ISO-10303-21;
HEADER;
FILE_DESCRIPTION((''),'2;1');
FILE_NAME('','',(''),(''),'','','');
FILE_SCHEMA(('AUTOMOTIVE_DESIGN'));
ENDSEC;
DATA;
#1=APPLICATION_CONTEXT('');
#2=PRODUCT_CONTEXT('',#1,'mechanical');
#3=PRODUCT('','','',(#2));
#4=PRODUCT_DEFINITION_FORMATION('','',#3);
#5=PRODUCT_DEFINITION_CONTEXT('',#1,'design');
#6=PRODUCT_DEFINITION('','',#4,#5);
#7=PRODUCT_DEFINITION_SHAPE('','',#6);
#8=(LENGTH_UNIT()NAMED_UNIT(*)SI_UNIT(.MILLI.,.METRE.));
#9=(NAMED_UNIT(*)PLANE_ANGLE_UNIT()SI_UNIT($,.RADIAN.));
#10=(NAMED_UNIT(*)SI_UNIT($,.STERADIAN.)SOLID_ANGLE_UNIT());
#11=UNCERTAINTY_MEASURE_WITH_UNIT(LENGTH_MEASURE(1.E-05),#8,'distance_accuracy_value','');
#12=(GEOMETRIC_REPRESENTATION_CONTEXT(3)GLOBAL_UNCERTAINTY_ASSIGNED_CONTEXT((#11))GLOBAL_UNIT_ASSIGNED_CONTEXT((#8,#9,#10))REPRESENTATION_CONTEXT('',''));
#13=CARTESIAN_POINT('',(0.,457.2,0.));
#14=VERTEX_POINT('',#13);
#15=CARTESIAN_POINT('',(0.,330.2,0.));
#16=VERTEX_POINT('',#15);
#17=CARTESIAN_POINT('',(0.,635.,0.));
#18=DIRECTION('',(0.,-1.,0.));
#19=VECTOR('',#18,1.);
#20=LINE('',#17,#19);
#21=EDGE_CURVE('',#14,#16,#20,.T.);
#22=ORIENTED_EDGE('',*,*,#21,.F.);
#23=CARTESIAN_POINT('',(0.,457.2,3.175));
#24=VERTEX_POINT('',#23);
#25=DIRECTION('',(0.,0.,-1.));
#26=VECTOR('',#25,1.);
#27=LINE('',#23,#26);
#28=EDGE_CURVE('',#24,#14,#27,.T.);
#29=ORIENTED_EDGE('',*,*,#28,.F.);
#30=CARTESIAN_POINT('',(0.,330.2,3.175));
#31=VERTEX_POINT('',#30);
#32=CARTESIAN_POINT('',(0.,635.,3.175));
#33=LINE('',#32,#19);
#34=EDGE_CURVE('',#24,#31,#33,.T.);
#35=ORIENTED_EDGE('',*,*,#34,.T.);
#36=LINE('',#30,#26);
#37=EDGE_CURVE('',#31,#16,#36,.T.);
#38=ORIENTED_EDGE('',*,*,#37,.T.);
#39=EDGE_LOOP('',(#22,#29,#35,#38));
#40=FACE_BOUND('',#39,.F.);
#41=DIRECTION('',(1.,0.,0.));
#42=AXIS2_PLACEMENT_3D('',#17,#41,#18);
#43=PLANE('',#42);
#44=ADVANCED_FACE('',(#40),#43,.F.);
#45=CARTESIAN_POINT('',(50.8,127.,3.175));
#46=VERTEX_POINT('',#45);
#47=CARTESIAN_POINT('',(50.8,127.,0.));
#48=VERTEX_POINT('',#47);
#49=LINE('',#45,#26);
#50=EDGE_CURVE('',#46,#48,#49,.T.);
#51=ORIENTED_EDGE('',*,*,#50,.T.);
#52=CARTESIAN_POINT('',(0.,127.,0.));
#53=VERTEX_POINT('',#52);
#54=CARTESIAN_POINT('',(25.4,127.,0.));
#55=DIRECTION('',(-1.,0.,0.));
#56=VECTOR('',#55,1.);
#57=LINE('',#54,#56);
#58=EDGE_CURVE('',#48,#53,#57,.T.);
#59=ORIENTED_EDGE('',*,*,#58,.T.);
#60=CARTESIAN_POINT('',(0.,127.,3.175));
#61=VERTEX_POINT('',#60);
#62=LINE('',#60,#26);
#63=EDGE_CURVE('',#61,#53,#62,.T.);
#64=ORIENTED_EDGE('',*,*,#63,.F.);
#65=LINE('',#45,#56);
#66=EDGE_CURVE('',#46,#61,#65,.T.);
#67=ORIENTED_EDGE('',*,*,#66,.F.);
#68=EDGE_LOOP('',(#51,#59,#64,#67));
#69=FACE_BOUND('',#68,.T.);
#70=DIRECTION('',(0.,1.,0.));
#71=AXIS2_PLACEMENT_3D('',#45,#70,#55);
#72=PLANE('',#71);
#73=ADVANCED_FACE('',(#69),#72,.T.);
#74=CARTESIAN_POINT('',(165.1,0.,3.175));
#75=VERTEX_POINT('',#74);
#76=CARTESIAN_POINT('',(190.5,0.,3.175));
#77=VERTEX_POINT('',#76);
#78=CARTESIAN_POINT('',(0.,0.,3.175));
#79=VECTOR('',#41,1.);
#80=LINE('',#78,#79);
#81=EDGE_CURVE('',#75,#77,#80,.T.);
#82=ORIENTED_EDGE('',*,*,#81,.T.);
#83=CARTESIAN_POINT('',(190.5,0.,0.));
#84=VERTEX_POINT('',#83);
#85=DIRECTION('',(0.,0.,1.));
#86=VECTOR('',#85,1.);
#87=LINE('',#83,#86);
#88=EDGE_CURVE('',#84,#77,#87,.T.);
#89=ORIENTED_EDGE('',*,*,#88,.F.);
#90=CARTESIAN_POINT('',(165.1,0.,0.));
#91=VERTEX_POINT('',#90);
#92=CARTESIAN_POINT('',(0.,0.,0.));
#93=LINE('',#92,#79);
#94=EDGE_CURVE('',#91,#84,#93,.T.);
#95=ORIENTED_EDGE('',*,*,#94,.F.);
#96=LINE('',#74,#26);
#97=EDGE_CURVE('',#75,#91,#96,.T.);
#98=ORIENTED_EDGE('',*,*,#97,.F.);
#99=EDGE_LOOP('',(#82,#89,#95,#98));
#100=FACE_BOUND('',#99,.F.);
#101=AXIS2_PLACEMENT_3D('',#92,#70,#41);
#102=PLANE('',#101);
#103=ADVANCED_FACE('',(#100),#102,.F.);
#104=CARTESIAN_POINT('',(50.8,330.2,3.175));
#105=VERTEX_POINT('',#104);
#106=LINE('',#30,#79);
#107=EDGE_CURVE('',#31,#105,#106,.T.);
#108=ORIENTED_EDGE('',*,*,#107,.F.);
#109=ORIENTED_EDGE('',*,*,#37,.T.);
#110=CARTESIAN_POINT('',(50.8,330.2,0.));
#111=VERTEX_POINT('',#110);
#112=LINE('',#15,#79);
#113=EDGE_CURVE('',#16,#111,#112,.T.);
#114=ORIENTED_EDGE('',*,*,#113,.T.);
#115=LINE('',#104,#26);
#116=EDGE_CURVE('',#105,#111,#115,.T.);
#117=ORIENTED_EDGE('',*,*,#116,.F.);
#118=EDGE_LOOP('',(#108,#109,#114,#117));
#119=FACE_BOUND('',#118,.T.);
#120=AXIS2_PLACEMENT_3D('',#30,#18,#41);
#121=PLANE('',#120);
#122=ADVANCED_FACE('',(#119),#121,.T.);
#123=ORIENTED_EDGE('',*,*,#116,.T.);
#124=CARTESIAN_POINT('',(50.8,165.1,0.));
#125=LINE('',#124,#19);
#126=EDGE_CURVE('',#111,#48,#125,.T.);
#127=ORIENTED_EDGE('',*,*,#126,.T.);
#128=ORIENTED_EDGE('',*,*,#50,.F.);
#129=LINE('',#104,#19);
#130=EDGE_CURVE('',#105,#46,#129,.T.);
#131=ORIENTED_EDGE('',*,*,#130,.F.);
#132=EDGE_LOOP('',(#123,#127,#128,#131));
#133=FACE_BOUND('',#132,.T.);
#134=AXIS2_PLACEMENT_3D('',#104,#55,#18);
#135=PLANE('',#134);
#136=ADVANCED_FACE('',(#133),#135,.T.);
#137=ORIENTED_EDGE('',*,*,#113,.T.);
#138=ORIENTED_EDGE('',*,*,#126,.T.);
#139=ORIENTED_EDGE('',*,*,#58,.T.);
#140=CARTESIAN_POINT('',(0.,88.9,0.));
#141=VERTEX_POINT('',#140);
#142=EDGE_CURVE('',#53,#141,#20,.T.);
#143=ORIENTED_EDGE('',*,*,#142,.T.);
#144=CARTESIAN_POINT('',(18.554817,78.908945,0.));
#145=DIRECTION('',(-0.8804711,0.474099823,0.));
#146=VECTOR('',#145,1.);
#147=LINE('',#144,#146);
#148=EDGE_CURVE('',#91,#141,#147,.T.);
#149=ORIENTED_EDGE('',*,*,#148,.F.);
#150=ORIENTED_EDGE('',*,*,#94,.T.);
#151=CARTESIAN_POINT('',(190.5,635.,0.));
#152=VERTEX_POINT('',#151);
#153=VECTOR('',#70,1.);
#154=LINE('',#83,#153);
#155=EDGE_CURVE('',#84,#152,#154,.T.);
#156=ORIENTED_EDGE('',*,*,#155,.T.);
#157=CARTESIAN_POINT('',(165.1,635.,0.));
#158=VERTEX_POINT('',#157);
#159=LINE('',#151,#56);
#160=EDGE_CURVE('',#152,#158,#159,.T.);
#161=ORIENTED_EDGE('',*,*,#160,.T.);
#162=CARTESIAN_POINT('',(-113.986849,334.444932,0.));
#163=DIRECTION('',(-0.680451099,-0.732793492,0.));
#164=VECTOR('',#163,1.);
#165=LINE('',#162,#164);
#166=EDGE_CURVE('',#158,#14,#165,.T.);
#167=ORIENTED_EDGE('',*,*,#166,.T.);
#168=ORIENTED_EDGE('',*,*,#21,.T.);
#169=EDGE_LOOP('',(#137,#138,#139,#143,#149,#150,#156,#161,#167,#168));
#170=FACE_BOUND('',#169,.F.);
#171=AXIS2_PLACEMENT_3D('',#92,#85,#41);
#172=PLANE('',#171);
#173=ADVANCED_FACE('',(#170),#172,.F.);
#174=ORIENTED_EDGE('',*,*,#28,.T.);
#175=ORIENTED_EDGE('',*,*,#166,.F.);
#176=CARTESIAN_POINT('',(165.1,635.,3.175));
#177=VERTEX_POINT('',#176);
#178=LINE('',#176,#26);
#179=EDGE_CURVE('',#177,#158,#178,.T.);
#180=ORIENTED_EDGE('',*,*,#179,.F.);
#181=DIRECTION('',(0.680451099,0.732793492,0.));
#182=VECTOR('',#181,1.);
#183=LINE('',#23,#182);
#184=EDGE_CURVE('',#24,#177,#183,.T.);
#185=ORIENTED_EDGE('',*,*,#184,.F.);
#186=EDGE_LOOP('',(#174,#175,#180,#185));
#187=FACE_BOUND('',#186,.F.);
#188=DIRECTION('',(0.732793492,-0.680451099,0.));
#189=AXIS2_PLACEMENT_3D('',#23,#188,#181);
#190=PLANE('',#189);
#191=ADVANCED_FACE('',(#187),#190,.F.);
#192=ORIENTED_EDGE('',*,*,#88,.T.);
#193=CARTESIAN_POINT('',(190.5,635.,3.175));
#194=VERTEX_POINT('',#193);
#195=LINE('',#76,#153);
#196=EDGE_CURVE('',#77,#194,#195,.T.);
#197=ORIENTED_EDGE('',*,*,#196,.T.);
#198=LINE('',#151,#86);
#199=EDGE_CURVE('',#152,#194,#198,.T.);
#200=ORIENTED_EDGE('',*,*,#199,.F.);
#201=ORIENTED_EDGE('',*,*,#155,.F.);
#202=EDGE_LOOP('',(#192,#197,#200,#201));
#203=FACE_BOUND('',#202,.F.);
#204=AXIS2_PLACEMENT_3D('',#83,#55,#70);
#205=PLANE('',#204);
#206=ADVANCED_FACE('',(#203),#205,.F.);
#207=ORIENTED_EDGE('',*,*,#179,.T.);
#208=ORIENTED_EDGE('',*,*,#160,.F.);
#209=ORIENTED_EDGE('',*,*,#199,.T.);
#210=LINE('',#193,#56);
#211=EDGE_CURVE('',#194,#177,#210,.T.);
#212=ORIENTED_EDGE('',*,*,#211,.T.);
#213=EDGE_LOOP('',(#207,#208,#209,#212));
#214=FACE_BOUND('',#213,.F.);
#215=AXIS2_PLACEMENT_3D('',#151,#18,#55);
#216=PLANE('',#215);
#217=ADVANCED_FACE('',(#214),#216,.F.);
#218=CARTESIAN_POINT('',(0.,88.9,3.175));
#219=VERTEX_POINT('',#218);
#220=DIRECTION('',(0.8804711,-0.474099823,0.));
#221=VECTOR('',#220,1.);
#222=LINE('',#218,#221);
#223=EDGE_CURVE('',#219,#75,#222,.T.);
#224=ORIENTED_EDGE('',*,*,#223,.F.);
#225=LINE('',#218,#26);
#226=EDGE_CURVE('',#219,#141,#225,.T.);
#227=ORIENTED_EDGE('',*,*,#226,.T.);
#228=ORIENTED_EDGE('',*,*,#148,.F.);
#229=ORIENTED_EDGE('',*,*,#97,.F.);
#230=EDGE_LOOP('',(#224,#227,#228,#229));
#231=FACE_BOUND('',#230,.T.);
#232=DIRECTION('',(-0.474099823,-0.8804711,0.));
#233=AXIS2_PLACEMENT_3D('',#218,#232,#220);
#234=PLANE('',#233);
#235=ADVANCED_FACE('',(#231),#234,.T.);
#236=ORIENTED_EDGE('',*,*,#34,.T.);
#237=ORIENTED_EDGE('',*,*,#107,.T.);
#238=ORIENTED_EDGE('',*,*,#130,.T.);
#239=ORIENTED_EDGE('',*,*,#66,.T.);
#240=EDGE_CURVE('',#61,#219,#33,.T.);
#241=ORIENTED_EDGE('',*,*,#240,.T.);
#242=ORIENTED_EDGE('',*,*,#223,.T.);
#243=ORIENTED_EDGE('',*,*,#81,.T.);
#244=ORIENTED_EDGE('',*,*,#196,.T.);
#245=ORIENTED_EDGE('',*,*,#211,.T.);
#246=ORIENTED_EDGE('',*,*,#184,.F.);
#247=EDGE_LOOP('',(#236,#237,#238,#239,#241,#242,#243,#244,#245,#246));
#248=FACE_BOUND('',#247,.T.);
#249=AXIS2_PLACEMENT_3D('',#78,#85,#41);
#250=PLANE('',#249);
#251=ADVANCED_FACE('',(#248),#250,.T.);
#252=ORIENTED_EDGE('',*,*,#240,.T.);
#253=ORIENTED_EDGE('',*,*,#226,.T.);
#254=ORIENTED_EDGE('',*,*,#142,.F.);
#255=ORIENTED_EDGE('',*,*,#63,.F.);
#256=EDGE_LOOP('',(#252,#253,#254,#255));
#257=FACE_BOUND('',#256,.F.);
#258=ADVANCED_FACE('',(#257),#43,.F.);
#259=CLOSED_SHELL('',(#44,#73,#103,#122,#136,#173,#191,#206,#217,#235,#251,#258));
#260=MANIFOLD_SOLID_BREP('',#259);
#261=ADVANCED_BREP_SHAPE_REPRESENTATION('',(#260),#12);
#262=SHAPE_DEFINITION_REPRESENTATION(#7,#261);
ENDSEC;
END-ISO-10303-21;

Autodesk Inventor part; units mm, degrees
ref_plane "YZ Plane" through (0, 0, 0) normal (1, 0, 0) x (0, 1, 0)
ref_plane "XZ Plane" through (0, 0, 0) normal (0, 1, 0) x (-1, 0, 0)
ref_plane "XY Plane" through (0, 0, 0) normal (0, 0, 1) x (1, 0, 0)
sketch "Sketch1" plane through (0, 0, 0) normal (0, 0, 1) x (1, 0, 0)
  line L0 (0, 0) -> (190.5, 0)
  line L1 (190.5, 0) -> (190.5, 635)
  line L2 (190.5, 635) -> (0, 635)
  line L3 (0, 635) -> (0, 0)
  dimension "d0" = 190.5
  dimension "d1" = 635
extrude "Extrusion1" add sketch "Sketch1" along normal blind 3.175
sketch "Sketch2" plane through (0, 0, 3.175) normal (0, 0, 1) x (1, 0, 0)
  line L0 (0, 0) -> (0, 635) projected
  line L1 (190.5, 0) -> (0, 0) projected
  line L2 (165.1, 0) -> (0, 0)
  line L3 (0, 88.9) -> (165.1, 0)
  line L4 (0, 635) -> (190.5, 635) projected
  line L5 (165.1, 635) -> (0, 635)
  line L6 (0, 457.2) -> (165.1, 635)
  line L7 (0, 457.2) -> (0, 635)
  line L8 (165.1, 635) -> (165.1, 0) construction
  line L9 (190.5, 635) -> (190.5, 0) projected
  dimension "d5" = 88.9
  dimension "d8" = 177.8
  dimension "d9" = 25.4
extrude "Extrusion2" cut sketch "Sketch2" against normal up to next contours L0 L3 L1 | L0 L4 L6
sketch "Sketch4" plane through (0, 0, 3.175) normal (0, 0, 1) x (1, 0, 0)
  line L0 (0, 88.9) -> (0, 457.2) projected
  line L1 (0, 330.2) -> (50.8, 330.2)
  line L2 (50.8, 330.2) -> (50.8, 127)
  line L3 (50.8, 127) -> (0, 127)
  line L4 (0, 127) -> (0, 330.2)
  line L5 (165.1, 635) -> (50.8, 635) construction
  line L6 (50.8, 635) -> (50.8, 330.2) construction
  line L7 (50.8, 127) -> (50.8, 0) construction
  line L8 (50.8, 0) -> (165.1, 0) construction
  point P0 (0, 0)
  dimension "d17" = 203.2
  dimension "d18" = 50.8
  dimension "d21" = 127
extrude "Extrusion4" cut sketch "Sketch4" against normal through all
properties part number "Conveyor_Frame_BottomStabilizerPlate" material "Aluminum-6061"
